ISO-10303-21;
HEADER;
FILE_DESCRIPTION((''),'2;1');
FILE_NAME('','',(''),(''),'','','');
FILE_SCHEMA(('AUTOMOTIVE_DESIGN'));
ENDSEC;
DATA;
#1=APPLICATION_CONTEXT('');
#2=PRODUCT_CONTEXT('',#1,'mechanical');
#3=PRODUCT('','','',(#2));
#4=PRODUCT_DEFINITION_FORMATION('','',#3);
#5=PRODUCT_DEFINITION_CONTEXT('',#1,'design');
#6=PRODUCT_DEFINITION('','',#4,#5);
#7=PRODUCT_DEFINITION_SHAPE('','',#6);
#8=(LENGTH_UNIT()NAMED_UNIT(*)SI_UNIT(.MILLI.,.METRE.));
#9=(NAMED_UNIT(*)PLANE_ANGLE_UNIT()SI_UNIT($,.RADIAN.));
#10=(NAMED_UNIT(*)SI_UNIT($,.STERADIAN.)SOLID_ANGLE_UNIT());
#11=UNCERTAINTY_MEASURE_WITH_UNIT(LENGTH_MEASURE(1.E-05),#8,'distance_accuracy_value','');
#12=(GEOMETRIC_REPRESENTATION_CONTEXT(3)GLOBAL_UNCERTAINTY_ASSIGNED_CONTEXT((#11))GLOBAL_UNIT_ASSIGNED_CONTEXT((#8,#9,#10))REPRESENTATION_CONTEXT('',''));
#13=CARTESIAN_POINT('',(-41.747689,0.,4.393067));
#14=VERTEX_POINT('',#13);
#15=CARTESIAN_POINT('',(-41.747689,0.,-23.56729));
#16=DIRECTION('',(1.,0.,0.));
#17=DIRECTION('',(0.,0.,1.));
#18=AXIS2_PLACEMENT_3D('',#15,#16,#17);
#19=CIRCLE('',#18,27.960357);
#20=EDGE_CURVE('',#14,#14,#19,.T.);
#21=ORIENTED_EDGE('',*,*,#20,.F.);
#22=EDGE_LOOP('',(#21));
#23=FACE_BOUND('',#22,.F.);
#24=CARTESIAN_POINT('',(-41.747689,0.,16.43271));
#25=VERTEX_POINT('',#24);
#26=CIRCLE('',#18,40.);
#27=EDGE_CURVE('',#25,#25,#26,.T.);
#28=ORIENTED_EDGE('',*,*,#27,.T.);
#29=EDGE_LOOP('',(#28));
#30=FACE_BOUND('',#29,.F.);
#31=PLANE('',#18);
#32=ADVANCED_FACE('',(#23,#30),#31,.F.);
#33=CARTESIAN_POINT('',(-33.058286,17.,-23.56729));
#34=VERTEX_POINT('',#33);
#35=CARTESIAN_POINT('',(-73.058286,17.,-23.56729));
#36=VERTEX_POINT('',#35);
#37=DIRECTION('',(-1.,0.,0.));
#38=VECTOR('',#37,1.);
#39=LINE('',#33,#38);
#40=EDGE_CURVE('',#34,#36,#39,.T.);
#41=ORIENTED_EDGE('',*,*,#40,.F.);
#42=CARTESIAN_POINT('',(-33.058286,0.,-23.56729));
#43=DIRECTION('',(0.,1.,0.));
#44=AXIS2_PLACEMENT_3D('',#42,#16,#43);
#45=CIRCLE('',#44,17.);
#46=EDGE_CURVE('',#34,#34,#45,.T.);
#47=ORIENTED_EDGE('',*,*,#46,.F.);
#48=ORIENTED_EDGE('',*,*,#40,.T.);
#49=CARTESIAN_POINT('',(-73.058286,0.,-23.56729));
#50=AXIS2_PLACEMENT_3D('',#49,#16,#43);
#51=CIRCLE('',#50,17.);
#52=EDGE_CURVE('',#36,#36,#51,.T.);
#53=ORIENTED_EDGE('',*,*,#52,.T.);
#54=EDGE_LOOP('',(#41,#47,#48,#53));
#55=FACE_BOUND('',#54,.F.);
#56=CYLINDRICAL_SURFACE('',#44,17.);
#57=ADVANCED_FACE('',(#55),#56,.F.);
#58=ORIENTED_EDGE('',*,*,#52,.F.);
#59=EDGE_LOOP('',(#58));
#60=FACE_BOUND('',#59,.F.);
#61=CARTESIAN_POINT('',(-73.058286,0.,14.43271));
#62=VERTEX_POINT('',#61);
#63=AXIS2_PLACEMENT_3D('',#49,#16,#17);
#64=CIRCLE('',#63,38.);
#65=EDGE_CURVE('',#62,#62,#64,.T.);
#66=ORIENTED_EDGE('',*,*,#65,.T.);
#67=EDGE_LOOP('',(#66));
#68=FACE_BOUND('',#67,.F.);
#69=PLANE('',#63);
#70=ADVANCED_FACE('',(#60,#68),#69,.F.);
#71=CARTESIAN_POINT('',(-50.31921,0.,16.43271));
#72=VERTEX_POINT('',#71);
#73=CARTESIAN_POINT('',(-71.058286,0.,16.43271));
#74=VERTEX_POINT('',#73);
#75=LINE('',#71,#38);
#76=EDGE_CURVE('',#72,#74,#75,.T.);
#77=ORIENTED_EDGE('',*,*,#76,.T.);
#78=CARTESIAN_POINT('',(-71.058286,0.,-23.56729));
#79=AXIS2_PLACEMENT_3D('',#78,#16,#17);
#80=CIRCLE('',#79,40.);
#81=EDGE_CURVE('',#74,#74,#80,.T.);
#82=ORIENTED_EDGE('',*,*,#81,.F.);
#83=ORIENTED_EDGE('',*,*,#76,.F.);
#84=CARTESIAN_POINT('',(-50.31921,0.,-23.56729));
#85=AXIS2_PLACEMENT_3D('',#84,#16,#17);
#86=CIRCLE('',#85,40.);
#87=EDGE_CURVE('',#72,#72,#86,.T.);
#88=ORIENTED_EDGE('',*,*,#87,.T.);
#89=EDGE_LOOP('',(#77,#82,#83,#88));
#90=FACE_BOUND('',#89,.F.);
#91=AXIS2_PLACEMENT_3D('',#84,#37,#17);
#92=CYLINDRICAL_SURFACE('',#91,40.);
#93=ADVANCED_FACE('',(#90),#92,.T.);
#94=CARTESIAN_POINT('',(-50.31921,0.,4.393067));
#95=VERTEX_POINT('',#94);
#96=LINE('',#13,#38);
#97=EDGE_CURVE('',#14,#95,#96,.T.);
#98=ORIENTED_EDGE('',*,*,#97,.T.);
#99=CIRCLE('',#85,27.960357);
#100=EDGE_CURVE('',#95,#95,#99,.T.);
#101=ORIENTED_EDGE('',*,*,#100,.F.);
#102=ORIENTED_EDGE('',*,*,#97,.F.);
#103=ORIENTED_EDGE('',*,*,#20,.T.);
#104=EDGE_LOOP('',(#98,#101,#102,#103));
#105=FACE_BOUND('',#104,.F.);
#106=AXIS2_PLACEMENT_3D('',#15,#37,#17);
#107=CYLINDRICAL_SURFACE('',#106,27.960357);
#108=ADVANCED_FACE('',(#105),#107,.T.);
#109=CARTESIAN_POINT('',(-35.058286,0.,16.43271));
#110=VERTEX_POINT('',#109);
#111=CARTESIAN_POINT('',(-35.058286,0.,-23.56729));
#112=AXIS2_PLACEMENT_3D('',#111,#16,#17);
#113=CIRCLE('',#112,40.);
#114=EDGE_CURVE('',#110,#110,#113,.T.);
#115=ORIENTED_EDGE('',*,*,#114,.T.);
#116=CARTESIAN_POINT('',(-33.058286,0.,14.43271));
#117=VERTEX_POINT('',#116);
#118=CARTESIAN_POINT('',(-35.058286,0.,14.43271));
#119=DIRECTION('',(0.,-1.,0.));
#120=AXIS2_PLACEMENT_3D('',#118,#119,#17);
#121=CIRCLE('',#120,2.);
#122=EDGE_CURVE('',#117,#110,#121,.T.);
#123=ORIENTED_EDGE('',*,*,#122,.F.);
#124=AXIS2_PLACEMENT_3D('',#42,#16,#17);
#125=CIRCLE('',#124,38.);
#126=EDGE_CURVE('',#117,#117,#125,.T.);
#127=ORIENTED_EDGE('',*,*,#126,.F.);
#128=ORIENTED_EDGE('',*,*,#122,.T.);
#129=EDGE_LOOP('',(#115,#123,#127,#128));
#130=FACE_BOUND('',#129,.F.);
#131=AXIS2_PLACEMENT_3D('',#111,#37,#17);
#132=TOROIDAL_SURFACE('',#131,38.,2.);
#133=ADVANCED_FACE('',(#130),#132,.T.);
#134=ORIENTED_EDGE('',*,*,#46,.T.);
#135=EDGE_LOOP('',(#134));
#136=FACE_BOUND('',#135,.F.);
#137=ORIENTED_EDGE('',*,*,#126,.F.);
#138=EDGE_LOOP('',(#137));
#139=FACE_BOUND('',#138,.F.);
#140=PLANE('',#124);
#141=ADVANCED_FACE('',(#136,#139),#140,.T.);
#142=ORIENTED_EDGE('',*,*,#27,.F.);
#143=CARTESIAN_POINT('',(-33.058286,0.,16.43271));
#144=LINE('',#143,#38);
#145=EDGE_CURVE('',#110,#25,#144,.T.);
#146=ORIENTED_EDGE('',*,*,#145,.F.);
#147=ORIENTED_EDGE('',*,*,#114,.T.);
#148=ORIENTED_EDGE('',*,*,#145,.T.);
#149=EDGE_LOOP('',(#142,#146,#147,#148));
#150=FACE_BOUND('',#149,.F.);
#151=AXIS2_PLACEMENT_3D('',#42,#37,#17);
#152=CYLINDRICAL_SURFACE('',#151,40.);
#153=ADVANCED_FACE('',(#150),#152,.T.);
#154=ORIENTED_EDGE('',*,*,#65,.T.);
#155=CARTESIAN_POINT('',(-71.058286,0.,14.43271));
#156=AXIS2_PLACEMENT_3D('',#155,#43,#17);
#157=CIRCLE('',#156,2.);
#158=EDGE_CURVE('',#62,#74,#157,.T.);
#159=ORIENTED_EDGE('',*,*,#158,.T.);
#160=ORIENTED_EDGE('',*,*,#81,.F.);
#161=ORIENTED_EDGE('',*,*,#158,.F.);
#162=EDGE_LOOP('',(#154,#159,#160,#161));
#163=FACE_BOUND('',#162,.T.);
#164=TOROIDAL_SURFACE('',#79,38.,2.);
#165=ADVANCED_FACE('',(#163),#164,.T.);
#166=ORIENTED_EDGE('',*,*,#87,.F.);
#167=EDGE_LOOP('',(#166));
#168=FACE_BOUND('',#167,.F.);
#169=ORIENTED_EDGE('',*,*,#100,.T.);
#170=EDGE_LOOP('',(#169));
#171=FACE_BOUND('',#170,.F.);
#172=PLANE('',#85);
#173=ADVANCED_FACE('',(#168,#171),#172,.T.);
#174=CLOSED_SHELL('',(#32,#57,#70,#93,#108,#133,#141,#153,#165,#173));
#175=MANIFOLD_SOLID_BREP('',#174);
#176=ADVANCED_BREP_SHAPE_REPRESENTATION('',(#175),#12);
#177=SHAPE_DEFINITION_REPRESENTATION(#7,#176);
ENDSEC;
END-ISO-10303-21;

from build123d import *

# Parameters (mm, degrees)
F2_R          = 17
F3_DEPTH      = 254
F3_TAPER      = -3
F3_DEPTH_BACK = 40
F4_R          = 2
F5_R          = 2


with BuildPart() as f1:
    # F0 (on Front) → F1 (revolve)
    with BuildSketch(Plane.XZ):
        Polygon((-73.0582855594, 16.432710439), (-73.0582855594, -23.567289561), (-33.0582855594, -23.567289561), (-33.0582855594, 16.432710439), (-41.7476892471, 16.432710439), (-41.7476892471, 4.3930672109), (-50.3192096949, 4.3930672109), (-50.3192096949, 16.432710439), align=None)
    revolve(axis=Axis((-53.0582855594, 0, -23.567289561), (1, 0, 0)))

    # F2 (on face) → F3 (cut, two sides)
    with BuildSketch(Plane.YZ.offset(-33.0582855594)) as f3_sk:
        with Locations((0, -23.567289561)):
            Circle(F2_R)
    extrude(amount=F3_DEPTH, taper=F3_TAPER, mode=Mode.SUBTRACT)
    extrude(f3_sk.sketch, amount=-F3_DEPTH_BACK, mode=Mode.SUBTRACT)

    # F4
    f4_edges = [f1.edges().sort_by_distance(p)[0] for p in [
        (-33.058286, 0, -63.56729),
    ]]
    fillet(f4_edges, radius=F4_R)

    # F5
    f5_edges = [f1.edges().sort_by_distance(p)[0] for p in [
        (-73.058286, 0, -63.56729),
    ]]
    fillet(f5_edges, radius=F5_R)


solid = f1.part
